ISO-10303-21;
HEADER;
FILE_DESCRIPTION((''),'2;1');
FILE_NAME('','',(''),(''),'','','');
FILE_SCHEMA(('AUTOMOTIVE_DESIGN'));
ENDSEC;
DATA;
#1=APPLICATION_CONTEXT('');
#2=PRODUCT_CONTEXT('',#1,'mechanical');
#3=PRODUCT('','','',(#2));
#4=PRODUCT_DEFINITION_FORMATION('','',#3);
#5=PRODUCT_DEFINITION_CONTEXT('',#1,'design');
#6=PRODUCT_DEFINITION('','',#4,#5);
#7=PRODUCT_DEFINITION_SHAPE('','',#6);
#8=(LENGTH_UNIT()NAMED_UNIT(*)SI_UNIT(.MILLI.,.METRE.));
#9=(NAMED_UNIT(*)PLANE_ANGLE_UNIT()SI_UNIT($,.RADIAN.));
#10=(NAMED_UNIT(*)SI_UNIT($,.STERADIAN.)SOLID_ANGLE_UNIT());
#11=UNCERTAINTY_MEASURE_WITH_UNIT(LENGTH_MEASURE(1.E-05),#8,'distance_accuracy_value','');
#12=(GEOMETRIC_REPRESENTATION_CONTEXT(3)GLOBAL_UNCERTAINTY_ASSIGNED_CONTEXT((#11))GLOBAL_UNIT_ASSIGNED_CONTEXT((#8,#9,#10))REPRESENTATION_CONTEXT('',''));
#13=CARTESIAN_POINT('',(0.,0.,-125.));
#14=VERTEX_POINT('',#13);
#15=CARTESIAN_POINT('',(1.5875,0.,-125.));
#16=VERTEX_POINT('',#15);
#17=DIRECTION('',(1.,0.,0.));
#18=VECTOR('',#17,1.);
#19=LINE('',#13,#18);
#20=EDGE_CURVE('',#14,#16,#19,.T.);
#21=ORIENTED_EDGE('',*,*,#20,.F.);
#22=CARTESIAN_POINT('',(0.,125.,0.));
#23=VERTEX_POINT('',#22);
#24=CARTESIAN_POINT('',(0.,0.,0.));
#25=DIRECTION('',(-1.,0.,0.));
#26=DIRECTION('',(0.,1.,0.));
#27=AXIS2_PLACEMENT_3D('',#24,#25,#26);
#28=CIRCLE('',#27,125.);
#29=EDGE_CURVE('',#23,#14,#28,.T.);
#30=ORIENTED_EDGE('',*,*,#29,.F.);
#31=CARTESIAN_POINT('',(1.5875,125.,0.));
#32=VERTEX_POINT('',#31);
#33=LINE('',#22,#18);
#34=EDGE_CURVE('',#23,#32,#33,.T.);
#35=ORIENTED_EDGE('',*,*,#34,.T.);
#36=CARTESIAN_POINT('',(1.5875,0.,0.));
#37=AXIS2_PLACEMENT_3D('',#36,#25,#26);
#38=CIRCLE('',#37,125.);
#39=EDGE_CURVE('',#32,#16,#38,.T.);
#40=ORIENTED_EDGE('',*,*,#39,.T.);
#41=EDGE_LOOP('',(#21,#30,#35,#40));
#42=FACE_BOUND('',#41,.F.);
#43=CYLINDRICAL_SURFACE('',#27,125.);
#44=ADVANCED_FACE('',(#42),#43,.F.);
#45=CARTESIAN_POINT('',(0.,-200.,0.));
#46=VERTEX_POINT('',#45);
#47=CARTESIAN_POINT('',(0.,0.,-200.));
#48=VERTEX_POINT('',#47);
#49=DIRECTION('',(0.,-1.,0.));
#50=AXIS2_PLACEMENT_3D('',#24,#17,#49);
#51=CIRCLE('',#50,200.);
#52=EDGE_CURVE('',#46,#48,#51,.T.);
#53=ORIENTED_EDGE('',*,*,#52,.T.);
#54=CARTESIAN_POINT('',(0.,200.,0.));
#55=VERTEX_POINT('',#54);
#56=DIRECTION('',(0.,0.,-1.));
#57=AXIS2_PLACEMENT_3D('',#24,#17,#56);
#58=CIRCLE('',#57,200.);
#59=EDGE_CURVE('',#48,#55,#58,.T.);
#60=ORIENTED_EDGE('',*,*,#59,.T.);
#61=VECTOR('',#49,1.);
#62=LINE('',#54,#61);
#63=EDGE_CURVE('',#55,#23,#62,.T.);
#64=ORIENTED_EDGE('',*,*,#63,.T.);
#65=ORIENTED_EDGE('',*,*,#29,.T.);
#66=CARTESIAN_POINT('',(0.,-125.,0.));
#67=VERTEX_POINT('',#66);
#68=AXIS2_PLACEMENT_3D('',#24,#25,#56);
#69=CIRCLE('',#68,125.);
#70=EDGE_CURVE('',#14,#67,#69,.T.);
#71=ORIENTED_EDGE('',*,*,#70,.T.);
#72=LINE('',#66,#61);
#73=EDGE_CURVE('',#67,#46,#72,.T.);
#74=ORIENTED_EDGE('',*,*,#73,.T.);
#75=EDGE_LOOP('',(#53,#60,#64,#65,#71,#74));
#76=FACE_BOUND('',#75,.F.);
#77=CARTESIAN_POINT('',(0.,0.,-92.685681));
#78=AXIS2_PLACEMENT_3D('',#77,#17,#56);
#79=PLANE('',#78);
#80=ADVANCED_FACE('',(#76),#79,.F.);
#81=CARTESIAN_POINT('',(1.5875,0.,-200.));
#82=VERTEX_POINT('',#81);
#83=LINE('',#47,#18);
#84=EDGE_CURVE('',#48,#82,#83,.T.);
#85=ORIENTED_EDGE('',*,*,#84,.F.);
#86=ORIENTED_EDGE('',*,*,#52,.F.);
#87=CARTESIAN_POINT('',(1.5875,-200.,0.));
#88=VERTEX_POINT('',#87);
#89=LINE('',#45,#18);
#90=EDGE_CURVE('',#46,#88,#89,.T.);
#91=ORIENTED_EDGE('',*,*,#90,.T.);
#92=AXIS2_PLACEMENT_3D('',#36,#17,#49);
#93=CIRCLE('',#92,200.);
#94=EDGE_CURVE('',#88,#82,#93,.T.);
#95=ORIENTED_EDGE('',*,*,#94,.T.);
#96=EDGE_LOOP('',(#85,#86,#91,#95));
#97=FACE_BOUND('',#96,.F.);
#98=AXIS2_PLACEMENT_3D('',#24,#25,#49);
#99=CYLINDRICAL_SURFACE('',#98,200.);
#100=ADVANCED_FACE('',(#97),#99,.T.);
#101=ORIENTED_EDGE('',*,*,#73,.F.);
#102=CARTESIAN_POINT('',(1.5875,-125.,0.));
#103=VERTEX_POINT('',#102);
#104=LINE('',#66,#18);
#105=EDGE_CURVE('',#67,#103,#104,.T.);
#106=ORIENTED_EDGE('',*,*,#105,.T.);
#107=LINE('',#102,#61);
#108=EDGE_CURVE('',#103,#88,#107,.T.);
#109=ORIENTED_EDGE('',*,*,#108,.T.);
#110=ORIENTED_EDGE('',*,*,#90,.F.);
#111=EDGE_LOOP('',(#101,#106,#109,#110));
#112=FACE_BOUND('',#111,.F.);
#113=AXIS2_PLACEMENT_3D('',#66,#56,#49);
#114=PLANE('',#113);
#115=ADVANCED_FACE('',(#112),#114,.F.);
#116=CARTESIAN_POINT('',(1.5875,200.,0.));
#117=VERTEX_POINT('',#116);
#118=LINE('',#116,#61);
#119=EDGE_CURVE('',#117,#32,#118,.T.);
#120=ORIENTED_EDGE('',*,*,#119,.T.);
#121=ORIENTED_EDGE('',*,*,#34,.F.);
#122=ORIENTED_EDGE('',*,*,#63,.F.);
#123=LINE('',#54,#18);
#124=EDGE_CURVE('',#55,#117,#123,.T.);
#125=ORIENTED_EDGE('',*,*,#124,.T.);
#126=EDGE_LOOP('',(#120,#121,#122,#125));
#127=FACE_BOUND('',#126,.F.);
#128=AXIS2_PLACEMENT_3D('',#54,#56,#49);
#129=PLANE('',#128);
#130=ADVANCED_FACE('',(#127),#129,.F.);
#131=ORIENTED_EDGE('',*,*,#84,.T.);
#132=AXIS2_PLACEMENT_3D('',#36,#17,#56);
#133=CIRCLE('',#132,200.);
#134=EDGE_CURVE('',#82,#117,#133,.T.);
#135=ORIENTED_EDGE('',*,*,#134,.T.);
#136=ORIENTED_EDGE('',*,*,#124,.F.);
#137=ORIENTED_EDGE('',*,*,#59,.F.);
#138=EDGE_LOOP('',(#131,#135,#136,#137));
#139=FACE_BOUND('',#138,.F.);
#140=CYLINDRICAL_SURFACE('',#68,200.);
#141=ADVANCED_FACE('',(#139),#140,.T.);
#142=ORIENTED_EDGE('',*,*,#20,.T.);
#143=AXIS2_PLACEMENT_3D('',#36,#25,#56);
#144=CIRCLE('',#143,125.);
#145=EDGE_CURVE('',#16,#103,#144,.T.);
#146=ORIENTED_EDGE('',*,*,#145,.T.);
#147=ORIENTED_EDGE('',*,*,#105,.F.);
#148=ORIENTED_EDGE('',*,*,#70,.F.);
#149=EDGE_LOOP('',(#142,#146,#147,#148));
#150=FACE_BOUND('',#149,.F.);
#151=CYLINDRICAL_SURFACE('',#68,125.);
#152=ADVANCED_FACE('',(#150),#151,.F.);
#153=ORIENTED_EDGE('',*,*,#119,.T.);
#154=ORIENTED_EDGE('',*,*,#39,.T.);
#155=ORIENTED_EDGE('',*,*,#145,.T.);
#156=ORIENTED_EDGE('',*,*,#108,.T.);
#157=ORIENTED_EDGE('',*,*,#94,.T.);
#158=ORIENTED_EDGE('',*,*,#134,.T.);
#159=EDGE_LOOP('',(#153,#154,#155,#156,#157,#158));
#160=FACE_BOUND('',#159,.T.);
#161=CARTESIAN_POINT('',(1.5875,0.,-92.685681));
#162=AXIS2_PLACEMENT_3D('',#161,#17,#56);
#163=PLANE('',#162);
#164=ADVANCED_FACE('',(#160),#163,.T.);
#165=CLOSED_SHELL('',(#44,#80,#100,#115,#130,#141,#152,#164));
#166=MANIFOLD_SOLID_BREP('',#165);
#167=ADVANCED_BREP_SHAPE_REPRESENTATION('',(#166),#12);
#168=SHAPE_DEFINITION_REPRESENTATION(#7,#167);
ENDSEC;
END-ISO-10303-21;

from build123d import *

# Parameters (mm, degrees)
BOSS_EXTRUDE1_DEPTH = 1.5875


with BuildPart() as part:
    # Sketch1 → Boss-Extrude1 (new body)
    with BuildSketch(Plane(origin=(0, 0, 0), x_dir=(0, 0, -1), z_dir=(1, 0, 0))):
        with BuildLine():
            ThreePointArc((200, 0), (141.421356237, 141.421356237), (0, 200))
            Line((0, 200), (0, 125))
            ThreePointArc((0, 125), (88.388347648, 88.388347648), (125, 0))
            ThreePointArc((125, 0), (88.388347648, -88.388347648), (0, -125))
            Line((0, -125), (0, -200))
            ThreePointArc((0, -200), (141.421356237, -141.421356237), (200, 0))
        make_face()
    extrude(amount=BOSS_EXTRUDE1_DEPTH)


solid = part.part
